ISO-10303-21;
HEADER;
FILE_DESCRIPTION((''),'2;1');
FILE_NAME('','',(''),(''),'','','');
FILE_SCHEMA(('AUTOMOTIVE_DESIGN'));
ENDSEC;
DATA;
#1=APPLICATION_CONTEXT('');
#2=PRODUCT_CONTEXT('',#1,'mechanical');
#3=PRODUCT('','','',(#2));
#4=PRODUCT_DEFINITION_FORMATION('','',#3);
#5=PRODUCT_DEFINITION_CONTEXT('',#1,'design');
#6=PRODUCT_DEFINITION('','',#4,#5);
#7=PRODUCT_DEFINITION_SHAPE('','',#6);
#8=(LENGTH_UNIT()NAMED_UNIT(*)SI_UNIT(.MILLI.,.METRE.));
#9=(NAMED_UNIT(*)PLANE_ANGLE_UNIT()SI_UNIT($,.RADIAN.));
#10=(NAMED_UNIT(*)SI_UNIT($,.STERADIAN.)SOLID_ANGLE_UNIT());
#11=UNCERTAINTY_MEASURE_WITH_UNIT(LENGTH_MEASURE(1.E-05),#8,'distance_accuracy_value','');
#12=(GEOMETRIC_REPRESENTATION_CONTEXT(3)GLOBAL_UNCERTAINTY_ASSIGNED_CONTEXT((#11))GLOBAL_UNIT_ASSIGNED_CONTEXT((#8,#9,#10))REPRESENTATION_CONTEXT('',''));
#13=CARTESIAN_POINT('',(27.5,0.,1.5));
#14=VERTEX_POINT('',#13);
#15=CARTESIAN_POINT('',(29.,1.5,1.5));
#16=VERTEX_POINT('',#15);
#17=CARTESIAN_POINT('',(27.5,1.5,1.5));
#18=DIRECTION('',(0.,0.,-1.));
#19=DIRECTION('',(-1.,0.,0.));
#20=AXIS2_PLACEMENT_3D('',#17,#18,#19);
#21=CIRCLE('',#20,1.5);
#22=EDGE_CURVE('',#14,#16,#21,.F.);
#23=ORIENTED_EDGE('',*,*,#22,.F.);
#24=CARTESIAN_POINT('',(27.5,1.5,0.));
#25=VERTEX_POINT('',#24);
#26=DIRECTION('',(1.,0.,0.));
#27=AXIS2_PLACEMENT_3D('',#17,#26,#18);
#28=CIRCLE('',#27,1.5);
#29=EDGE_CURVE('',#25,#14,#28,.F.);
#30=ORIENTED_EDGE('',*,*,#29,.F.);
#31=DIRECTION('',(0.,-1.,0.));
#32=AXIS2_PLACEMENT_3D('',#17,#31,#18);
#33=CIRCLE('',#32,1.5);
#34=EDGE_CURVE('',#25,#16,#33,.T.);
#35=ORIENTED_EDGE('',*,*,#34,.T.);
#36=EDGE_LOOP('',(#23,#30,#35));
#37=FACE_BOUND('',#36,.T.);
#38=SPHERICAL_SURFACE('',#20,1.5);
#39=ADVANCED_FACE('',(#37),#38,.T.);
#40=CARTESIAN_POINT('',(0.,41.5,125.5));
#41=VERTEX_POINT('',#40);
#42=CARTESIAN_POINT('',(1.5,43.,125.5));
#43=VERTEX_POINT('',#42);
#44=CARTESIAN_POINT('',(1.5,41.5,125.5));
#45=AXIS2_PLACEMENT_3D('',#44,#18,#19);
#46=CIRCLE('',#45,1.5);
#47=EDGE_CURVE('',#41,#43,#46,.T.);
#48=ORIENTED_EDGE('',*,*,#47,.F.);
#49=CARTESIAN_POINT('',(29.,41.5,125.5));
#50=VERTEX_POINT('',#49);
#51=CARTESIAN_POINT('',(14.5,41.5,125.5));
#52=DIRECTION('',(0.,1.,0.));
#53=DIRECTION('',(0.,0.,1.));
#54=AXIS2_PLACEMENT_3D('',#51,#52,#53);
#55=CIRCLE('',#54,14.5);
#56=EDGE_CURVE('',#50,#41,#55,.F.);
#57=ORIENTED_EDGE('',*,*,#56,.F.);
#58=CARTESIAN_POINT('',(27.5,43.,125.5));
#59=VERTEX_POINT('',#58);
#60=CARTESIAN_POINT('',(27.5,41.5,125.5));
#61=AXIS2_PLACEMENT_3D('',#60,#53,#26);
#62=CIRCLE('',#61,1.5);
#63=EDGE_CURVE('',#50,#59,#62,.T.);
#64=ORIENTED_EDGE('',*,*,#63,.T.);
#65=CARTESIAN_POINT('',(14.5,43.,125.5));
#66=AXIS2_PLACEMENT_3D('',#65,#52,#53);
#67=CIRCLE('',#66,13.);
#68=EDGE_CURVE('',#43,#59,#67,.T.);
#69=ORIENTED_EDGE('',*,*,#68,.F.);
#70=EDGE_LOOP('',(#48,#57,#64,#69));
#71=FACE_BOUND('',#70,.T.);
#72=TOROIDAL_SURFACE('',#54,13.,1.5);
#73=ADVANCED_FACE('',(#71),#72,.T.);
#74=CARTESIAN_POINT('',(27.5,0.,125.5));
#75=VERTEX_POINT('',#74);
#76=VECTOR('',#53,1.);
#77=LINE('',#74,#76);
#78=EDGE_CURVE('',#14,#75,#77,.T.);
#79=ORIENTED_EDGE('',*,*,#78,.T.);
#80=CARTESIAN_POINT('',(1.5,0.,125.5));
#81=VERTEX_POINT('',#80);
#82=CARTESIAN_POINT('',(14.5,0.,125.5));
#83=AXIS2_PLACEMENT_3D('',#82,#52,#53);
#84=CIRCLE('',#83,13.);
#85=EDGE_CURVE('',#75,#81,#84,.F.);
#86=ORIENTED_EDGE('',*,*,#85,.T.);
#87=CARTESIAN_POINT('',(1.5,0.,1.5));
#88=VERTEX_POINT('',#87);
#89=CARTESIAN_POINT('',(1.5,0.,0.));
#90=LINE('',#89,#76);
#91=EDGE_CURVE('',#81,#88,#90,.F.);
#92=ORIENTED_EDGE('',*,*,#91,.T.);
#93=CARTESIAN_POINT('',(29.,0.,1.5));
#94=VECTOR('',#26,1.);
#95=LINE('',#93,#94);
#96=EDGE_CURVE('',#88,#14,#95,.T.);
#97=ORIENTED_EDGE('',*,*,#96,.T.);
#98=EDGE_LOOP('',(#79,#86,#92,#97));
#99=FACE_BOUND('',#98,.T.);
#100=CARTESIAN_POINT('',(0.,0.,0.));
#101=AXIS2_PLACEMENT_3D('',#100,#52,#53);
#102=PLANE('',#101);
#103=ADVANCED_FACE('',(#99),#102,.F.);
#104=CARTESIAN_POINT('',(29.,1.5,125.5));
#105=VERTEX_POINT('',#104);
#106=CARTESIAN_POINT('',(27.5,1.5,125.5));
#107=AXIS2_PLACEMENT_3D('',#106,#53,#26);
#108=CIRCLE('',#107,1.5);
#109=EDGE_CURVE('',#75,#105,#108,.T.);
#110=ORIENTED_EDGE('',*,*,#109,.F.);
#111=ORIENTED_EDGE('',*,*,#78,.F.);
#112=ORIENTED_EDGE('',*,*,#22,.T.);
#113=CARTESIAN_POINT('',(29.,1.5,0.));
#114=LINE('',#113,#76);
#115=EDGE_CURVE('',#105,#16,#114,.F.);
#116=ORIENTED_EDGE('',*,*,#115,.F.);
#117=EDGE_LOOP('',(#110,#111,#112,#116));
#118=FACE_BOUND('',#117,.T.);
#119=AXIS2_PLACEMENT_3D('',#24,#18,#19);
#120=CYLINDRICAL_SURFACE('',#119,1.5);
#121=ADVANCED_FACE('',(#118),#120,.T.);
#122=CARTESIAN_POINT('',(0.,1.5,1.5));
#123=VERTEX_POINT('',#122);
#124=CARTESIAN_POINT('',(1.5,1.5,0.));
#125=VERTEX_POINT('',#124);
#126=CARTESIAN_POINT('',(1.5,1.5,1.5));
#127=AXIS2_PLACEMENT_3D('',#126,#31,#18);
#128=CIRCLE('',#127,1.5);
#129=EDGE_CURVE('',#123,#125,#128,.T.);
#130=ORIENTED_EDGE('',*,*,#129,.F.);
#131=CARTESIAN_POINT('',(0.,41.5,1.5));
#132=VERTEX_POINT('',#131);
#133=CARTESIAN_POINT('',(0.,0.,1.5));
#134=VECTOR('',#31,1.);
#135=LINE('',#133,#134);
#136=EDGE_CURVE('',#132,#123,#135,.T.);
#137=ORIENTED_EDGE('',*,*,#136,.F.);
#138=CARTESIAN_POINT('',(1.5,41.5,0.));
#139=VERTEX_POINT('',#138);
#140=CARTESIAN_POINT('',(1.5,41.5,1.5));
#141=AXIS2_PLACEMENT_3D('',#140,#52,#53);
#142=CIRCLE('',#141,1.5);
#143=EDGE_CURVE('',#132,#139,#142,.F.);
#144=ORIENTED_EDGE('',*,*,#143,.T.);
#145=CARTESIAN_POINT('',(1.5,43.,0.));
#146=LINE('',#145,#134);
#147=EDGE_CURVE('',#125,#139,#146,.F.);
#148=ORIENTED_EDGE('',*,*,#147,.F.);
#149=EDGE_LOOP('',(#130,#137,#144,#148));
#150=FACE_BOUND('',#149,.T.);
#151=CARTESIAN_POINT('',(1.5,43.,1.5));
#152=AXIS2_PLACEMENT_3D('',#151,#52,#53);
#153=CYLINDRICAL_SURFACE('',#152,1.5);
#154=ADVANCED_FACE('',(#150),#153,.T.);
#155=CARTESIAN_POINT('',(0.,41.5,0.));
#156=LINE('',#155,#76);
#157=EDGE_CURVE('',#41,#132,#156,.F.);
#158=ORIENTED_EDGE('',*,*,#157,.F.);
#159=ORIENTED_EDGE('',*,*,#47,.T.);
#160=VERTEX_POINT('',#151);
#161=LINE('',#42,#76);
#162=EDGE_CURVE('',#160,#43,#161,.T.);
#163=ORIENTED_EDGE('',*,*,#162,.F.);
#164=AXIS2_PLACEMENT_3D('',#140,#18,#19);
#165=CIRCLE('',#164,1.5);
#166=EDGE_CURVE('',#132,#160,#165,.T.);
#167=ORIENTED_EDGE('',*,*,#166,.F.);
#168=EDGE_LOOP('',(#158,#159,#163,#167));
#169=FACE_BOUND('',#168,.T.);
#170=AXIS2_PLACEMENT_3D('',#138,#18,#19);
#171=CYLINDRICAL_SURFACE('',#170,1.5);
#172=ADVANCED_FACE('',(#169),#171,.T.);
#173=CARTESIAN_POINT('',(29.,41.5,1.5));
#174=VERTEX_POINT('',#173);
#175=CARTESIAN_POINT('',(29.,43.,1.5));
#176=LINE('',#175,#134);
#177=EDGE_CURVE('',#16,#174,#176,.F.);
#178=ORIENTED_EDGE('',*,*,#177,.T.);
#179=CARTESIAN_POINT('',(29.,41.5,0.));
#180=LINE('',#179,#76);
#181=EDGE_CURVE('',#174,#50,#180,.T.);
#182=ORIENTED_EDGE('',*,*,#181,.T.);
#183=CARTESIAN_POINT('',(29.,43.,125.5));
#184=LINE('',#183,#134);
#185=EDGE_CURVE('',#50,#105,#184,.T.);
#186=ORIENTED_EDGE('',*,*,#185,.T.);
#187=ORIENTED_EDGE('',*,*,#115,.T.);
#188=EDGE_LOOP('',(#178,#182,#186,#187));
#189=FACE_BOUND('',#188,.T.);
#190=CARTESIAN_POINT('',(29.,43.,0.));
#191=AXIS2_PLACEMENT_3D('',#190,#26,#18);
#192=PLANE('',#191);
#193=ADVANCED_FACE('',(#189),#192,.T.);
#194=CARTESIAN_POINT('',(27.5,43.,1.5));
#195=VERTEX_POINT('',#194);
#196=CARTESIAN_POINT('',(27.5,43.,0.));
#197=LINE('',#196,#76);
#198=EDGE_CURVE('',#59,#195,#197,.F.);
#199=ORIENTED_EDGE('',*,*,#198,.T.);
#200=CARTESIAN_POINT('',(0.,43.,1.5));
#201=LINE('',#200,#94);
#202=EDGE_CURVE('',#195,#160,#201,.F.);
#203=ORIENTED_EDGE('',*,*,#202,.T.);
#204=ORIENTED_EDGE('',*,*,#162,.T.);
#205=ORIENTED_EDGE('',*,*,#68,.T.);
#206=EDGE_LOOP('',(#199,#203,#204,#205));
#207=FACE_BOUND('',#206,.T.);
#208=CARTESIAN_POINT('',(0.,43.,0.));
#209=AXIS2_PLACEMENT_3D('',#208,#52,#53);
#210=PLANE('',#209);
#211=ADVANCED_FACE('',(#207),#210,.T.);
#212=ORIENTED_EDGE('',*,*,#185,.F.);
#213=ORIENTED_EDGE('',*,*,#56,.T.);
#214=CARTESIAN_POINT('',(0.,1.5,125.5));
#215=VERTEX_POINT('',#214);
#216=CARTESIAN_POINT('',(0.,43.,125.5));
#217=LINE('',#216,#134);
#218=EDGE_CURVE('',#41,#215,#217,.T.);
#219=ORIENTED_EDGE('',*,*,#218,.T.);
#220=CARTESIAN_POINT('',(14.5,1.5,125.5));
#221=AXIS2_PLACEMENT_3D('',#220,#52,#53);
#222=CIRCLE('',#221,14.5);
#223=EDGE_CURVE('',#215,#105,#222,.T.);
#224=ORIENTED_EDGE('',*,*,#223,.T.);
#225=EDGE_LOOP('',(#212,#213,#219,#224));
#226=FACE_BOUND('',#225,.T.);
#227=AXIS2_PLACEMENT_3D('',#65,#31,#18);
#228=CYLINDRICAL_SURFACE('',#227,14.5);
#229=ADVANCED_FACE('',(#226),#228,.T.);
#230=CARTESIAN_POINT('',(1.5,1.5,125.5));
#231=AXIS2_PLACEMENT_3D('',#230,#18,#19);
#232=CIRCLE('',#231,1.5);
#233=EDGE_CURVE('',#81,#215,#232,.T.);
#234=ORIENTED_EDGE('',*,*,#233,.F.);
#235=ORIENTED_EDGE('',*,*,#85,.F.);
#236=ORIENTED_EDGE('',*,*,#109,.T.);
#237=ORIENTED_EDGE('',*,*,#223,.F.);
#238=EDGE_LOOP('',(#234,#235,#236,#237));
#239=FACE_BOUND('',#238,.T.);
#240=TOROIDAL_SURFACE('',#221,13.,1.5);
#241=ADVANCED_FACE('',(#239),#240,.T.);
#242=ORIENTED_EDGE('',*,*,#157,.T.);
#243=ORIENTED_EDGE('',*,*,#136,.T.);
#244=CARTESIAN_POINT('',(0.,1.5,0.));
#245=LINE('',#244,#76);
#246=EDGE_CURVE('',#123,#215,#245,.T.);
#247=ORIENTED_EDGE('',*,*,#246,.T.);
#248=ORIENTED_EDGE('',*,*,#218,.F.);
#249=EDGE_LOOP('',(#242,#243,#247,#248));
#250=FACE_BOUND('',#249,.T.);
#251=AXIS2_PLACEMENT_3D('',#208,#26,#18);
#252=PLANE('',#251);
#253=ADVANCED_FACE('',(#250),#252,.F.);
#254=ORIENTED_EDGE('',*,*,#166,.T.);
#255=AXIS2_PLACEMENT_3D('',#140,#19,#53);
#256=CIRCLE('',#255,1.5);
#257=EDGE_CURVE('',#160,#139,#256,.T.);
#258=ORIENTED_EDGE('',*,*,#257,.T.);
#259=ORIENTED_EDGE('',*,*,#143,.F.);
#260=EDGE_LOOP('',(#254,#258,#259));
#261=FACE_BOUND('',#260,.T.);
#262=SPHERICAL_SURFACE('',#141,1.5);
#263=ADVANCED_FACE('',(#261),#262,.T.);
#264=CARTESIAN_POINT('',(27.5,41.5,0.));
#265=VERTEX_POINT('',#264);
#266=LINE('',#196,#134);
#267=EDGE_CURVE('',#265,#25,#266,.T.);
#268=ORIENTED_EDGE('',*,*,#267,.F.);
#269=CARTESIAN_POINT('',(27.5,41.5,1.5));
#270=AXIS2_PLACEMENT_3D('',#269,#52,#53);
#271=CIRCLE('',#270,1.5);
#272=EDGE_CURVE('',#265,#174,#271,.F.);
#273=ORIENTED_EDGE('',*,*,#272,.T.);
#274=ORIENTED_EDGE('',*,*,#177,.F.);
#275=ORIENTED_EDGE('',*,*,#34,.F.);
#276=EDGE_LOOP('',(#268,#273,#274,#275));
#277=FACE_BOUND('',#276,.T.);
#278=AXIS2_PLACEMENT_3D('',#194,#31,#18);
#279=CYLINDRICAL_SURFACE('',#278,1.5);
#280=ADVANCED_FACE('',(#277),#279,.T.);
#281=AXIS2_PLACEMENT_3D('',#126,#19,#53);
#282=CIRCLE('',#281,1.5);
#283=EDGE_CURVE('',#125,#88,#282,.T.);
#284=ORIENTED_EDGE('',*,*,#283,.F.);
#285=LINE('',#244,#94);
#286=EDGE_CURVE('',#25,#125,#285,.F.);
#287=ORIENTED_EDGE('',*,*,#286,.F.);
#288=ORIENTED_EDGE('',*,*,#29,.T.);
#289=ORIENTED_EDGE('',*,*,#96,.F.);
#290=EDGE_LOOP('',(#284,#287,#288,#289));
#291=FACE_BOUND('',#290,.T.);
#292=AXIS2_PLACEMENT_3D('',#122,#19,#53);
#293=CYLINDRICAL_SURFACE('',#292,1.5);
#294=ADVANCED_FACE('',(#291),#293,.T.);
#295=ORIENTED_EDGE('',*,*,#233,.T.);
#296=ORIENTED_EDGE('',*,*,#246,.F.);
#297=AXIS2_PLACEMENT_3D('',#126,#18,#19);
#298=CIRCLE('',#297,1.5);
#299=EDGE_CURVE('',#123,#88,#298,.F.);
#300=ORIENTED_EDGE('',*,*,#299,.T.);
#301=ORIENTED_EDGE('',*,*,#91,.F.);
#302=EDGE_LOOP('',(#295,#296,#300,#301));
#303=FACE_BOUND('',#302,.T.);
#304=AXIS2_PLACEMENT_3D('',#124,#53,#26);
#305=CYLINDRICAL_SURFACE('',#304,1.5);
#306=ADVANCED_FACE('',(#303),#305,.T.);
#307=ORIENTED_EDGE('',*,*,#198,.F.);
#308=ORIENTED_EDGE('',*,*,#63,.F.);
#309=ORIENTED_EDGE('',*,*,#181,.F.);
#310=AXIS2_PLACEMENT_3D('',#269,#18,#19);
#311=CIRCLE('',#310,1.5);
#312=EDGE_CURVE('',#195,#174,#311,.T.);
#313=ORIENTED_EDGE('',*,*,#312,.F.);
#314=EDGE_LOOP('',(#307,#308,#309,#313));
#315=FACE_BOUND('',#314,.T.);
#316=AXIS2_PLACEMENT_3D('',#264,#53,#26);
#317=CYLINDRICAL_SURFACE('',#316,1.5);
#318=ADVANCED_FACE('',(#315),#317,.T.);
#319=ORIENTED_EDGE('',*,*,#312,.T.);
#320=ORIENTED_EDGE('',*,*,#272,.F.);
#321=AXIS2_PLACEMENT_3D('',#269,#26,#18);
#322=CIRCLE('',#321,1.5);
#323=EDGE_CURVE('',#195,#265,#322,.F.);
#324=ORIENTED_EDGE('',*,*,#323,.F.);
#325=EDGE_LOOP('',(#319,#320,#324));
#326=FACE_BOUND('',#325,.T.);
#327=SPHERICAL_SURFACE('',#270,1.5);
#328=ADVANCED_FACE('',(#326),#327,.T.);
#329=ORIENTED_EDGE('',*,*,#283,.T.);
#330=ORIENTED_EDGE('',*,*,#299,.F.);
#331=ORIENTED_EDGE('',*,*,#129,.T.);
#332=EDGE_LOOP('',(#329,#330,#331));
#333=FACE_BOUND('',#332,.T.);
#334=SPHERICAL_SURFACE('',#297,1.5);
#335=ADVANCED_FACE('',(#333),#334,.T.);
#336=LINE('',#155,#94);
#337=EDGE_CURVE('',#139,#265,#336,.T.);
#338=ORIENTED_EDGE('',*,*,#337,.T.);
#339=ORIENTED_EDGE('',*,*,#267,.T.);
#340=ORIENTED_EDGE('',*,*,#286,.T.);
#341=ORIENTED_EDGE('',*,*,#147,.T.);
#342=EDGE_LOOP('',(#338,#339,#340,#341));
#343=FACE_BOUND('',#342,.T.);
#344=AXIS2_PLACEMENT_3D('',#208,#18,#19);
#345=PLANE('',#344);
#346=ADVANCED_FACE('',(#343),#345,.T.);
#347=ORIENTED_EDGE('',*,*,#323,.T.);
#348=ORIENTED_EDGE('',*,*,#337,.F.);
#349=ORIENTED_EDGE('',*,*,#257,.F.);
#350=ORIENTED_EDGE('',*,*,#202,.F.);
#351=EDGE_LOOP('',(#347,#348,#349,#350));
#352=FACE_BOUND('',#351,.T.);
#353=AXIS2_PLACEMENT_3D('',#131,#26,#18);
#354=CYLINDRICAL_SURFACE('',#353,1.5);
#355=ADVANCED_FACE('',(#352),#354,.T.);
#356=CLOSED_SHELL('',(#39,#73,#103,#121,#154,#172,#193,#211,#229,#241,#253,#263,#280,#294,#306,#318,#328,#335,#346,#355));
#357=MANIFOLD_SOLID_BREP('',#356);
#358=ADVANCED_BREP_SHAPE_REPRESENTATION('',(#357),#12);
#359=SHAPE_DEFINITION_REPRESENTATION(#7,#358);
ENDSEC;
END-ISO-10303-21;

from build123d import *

# Parameters (mm, degrees)
SKETCH1_W           = 29
SKETCH1_H           = 125.5
BOSS_EXTRUDE1_DEPTH = 43
FILLET1_R           = 1.5


with BuildPart() as part:
    # Sketch1 → Boss-Extrude1 (new body)
    with BuildSketch(Plane(origin=(0, 0, 0), x_dir=(1, 0, 0), z_dir=(0, 1, 0))):
        with Locations((14.5, -62.75)):
            Rectangle(SKETCH1_W, SKETCH1_H)
        with BuildLine():
            Line((0, -125.5), (29, -125.5))
            ThreePointArc((29, -125.5), (14.5, -140), (0, -125.5))
        make_face()
    extrude(amount=BOSS_EXTRUDE1_DEPTH)

    # Fillet1
    fillet1_edges = [part.edges().sort_by_distance(p)[0] for p in [
        (14.5, 43, 0),
        (0, 43, 62.75),
        (14.5, 43, 140),
        (29, 43, 62.75),
        (14.5, 0, 140),
        (0, 0, 62.75),
        (14.5, 0, 0),
        (29, 0, 62.75),
        (0, 21.5, 0),
        (29, 21.5, 0),
    ]]
    fillet(fillet1_edges, radius=FILLET1_R)


solid = part.part
